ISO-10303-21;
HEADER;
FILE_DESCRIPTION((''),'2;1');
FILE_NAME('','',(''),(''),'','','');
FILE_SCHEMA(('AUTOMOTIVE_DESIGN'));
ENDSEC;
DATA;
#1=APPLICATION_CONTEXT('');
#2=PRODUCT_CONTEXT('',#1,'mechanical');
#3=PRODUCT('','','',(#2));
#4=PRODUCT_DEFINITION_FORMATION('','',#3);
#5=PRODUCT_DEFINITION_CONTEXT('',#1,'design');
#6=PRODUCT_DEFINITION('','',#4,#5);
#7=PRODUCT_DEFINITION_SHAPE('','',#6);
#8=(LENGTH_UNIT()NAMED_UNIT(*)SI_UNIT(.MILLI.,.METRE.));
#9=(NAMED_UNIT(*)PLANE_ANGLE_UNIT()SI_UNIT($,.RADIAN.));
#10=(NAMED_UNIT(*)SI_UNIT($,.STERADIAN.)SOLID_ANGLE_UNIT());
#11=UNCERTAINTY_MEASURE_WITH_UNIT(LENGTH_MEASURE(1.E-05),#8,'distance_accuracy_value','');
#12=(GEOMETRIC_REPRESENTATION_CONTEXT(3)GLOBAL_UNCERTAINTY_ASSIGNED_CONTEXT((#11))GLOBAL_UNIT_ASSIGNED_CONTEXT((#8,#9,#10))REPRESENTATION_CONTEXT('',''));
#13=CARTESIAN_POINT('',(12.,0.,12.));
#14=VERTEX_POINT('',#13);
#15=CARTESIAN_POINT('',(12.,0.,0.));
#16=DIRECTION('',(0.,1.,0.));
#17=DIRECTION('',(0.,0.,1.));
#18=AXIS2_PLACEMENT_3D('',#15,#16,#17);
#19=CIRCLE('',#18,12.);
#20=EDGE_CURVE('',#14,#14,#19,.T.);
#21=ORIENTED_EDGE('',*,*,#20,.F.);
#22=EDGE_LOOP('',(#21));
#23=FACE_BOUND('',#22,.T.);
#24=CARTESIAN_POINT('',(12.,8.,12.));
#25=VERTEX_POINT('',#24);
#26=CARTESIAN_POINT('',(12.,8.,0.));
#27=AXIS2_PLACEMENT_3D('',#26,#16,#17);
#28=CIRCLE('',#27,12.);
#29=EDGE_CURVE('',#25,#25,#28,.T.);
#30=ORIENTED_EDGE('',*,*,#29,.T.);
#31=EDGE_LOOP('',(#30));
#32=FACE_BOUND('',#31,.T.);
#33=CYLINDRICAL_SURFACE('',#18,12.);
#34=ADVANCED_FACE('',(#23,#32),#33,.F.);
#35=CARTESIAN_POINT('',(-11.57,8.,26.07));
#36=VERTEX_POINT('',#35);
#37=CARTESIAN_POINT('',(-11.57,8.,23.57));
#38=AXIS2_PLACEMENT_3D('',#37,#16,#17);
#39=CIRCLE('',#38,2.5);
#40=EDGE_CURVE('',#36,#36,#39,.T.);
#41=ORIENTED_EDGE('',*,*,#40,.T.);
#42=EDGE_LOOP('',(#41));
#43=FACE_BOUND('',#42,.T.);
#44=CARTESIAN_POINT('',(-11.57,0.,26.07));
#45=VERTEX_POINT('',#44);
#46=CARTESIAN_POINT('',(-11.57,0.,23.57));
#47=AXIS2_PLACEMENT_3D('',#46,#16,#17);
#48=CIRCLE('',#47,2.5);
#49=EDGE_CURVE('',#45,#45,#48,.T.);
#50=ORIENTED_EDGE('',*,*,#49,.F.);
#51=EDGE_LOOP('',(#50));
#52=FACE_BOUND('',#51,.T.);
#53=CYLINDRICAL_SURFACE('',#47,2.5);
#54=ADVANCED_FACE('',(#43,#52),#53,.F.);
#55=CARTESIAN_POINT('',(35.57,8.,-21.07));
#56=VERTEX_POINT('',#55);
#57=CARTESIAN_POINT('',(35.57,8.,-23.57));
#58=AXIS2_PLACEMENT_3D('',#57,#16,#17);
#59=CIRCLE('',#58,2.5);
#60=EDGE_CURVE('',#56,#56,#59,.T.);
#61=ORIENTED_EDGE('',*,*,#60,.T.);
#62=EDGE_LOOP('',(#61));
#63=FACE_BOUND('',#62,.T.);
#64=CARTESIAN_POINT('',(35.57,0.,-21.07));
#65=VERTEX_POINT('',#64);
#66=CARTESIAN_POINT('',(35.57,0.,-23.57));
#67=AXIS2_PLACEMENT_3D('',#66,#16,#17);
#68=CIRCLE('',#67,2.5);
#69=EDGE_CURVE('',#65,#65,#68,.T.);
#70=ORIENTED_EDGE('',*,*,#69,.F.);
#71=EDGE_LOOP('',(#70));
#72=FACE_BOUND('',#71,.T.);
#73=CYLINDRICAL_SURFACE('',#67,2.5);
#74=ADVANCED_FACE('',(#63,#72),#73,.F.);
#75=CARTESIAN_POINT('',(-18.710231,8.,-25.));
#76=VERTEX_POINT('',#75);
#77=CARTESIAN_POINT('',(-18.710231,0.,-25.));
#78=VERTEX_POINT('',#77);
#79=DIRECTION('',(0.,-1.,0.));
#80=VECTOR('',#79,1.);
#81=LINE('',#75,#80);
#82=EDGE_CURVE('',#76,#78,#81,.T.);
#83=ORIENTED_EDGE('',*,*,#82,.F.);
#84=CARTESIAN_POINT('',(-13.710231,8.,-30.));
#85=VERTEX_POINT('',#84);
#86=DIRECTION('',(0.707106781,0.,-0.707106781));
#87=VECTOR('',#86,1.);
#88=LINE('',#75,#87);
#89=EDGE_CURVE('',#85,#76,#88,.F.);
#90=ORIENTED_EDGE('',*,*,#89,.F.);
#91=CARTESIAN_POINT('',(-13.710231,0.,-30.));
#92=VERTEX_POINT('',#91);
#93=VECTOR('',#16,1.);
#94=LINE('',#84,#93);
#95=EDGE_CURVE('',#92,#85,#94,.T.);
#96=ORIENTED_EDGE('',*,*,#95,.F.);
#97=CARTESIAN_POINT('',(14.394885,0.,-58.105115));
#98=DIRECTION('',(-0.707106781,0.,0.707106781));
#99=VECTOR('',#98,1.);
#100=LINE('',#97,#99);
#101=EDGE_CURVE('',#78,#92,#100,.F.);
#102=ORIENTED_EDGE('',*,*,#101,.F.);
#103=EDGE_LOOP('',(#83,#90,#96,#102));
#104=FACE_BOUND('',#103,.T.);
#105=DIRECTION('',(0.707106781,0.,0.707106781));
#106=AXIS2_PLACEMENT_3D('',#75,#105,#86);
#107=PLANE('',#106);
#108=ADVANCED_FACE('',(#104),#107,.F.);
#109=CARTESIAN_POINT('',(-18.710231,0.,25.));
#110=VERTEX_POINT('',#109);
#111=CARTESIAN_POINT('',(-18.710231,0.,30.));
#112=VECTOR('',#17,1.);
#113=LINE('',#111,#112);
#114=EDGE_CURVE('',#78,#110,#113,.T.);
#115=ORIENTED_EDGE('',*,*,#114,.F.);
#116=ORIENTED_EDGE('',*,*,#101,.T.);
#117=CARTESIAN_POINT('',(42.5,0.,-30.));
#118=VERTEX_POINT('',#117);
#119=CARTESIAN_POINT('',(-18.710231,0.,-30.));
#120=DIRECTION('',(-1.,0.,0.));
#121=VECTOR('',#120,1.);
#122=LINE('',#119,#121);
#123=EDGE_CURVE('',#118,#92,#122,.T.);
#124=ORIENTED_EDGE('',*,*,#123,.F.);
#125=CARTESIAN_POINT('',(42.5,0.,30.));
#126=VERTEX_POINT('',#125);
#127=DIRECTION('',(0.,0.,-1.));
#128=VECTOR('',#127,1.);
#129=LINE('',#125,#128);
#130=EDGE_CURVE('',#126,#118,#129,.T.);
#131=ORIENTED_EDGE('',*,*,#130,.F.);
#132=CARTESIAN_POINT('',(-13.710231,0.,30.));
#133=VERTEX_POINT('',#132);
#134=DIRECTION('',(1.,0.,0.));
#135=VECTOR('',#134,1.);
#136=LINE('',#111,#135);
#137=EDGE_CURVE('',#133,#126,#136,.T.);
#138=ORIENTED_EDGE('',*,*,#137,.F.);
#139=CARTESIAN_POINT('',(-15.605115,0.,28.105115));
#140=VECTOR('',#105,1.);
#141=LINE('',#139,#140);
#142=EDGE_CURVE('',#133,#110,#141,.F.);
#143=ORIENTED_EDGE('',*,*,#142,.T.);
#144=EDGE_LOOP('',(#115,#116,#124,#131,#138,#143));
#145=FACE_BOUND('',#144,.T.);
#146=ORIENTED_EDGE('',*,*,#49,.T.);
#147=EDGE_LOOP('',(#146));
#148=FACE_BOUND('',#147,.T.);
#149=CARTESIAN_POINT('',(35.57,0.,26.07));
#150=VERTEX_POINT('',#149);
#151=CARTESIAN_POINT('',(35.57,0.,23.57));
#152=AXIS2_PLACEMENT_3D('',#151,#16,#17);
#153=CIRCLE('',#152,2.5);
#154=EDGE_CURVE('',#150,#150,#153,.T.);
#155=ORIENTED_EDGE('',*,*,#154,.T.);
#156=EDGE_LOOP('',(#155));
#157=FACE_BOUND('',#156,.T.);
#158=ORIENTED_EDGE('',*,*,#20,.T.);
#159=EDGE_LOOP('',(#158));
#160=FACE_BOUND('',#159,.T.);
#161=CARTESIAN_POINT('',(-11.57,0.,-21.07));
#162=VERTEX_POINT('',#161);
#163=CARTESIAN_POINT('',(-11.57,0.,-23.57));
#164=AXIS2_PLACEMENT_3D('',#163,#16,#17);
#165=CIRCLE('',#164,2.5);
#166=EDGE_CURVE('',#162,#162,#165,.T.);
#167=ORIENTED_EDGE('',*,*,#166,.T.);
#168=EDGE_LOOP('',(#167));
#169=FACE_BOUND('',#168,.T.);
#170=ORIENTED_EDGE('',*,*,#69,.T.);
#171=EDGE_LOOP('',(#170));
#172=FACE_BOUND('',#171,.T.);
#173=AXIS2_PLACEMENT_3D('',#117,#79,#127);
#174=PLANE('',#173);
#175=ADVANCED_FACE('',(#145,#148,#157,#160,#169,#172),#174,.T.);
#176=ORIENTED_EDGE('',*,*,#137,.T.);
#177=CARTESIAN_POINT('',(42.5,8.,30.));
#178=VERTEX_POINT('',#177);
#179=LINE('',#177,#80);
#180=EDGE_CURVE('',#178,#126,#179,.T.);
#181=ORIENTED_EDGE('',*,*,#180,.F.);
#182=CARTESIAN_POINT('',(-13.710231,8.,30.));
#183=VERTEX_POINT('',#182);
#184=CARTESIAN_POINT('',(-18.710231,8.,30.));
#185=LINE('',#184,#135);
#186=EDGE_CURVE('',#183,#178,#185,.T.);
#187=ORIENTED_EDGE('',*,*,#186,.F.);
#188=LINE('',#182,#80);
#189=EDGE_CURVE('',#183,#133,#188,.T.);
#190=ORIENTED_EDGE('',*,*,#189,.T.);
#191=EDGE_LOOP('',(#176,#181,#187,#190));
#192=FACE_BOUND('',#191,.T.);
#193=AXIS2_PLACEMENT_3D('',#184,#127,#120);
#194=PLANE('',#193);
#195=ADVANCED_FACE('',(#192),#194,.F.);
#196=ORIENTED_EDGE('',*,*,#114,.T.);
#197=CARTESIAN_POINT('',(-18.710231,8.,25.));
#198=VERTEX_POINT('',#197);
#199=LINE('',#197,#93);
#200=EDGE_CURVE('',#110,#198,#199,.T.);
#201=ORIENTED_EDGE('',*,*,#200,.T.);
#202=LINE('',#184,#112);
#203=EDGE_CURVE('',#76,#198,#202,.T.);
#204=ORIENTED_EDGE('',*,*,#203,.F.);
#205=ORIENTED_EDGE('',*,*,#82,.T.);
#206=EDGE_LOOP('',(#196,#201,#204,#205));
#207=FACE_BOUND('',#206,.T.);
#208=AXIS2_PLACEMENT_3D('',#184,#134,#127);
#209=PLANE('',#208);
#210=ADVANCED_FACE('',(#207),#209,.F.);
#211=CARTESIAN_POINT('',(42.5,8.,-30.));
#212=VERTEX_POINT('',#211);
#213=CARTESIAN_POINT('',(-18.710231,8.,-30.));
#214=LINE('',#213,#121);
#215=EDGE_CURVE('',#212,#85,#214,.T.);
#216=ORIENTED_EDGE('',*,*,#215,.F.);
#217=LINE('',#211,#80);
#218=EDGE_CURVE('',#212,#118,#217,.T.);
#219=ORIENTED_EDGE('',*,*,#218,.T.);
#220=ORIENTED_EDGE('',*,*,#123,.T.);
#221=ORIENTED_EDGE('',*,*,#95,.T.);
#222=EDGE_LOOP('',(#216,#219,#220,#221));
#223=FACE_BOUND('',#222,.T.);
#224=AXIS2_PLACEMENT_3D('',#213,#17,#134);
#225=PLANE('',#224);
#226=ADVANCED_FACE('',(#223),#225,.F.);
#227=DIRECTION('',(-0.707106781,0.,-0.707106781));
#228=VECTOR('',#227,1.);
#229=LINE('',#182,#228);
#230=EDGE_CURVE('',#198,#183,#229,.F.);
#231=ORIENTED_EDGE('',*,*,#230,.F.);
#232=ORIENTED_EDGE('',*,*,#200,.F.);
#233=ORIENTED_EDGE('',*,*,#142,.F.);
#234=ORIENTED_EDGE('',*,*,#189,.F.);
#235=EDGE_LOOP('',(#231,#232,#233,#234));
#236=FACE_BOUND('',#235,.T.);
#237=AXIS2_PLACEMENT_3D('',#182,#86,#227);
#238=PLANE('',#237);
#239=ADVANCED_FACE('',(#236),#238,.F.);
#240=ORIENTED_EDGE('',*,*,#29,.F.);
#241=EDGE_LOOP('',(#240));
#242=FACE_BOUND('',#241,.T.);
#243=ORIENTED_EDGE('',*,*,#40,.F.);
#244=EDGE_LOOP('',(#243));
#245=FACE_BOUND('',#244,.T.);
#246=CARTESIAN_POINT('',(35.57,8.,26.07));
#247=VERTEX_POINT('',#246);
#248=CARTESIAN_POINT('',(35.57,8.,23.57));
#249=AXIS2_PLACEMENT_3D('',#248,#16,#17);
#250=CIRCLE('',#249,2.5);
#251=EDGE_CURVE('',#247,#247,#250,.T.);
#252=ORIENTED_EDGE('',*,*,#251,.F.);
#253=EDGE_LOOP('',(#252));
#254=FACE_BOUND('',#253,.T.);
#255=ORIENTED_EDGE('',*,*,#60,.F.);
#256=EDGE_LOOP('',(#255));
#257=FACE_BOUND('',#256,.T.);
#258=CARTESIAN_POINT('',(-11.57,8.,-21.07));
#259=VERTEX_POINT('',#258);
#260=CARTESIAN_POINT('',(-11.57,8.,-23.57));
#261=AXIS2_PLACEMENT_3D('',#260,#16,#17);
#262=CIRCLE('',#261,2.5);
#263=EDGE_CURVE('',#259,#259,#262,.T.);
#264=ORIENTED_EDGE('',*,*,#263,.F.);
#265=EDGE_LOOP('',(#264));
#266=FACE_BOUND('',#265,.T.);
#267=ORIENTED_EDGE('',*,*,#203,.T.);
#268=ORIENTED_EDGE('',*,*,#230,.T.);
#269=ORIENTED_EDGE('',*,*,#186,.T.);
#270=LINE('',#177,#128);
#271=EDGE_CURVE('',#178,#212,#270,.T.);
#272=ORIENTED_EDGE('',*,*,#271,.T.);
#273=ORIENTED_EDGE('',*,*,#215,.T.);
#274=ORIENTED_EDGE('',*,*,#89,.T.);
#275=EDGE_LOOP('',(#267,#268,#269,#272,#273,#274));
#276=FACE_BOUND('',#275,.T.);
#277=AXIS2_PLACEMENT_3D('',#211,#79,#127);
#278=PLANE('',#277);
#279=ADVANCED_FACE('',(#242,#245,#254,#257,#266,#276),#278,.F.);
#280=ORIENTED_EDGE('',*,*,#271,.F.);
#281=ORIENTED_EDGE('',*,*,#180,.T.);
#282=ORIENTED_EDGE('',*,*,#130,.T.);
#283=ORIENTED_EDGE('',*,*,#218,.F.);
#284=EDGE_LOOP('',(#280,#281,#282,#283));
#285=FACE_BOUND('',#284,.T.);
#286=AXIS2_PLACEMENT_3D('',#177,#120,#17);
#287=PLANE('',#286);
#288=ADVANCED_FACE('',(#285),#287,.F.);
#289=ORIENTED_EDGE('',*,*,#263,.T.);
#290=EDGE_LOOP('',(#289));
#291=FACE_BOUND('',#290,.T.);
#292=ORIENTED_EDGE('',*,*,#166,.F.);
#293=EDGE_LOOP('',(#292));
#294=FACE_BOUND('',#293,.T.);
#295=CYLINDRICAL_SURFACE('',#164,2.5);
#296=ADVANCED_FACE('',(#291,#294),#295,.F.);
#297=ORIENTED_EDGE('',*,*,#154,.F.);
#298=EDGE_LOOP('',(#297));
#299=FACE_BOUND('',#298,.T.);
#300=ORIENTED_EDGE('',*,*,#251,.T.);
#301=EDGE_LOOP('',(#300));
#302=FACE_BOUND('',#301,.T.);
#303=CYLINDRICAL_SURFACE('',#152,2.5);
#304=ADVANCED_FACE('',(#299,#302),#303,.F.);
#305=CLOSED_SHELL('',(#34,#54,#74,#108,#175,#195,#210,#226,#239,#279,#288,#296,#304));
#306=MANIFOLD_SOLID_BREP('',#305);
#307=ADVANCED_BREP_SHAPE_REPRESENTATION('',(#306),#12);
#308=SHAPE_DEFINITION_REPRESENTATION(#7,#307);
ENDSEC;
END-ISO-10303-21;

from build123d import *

# Parameters (mm, degrees)
SKETCH2_W          = 61.210230612
SKETCH2_H          = 60
EXTRUDE1_DEPTH     = 8
CHAMFER1_SIZE      = 5
SKETCH3_R          = 12
SKETCH3_R_2        = 2.5
CUT_EXTRUDE1_DEPTH = 53.63316445


with BuildPart() as part:
    # Sketch2 → Extrude1 (new body)
    with BuildSketch(Plane(origin=(0, 0, 0), x_dir=(1, 0, 0), z_dir=(0, 1, 0))):
        with Locations((11.894884694, 0)):
            Rectangle(SKETCH2_W, SKETCH2_H)
    extrude(amount=EXTRUDE1_DEPTH)

    # Chamfer1
    chamfer1_edges = [part.edges().sort_by_distance(p)[0] for p in [
        (-18.710230612, 4, 30),
        (-18.710230612, 4, -30),
    ]]
    chamfer(chamfer1_edges, length=CHAMFER1_SIZE)

    # Sketch3 → Cut-Extrude1 (cut, through all)
    with BuildSketch(Plane(origin=(0, 8, 0), x_dir=(1, 0, 0), z_dir=(0, 1, 0))):
        with Locations(Location((12, 0, 0), (0, 0, 270))):
            Circle(SKETCH3_R)
        with Locations(Location((-11.57, 23.57, 0), (0, 0, 270))):
            Circle(SKETCH3_R_2)
        with Locations(Location((35.57, 23.57, 0), (0, 0, 270))):
            Circle(SKETCH3_R_2)
        with Locations(Location((-11.57, -23.57, 0), (0, 0, 270))):
            Circle(SKETCH3_R_2)
        with Locations(Location((35.57, -23.57, 0), (0, 0, 270))):
            Circle(SKETCH3_R_2)
    extrude(amount=-CUT_EXTRUDE1_DEPTH, mode=Mode.SUBTRACT)


solid = part.part
